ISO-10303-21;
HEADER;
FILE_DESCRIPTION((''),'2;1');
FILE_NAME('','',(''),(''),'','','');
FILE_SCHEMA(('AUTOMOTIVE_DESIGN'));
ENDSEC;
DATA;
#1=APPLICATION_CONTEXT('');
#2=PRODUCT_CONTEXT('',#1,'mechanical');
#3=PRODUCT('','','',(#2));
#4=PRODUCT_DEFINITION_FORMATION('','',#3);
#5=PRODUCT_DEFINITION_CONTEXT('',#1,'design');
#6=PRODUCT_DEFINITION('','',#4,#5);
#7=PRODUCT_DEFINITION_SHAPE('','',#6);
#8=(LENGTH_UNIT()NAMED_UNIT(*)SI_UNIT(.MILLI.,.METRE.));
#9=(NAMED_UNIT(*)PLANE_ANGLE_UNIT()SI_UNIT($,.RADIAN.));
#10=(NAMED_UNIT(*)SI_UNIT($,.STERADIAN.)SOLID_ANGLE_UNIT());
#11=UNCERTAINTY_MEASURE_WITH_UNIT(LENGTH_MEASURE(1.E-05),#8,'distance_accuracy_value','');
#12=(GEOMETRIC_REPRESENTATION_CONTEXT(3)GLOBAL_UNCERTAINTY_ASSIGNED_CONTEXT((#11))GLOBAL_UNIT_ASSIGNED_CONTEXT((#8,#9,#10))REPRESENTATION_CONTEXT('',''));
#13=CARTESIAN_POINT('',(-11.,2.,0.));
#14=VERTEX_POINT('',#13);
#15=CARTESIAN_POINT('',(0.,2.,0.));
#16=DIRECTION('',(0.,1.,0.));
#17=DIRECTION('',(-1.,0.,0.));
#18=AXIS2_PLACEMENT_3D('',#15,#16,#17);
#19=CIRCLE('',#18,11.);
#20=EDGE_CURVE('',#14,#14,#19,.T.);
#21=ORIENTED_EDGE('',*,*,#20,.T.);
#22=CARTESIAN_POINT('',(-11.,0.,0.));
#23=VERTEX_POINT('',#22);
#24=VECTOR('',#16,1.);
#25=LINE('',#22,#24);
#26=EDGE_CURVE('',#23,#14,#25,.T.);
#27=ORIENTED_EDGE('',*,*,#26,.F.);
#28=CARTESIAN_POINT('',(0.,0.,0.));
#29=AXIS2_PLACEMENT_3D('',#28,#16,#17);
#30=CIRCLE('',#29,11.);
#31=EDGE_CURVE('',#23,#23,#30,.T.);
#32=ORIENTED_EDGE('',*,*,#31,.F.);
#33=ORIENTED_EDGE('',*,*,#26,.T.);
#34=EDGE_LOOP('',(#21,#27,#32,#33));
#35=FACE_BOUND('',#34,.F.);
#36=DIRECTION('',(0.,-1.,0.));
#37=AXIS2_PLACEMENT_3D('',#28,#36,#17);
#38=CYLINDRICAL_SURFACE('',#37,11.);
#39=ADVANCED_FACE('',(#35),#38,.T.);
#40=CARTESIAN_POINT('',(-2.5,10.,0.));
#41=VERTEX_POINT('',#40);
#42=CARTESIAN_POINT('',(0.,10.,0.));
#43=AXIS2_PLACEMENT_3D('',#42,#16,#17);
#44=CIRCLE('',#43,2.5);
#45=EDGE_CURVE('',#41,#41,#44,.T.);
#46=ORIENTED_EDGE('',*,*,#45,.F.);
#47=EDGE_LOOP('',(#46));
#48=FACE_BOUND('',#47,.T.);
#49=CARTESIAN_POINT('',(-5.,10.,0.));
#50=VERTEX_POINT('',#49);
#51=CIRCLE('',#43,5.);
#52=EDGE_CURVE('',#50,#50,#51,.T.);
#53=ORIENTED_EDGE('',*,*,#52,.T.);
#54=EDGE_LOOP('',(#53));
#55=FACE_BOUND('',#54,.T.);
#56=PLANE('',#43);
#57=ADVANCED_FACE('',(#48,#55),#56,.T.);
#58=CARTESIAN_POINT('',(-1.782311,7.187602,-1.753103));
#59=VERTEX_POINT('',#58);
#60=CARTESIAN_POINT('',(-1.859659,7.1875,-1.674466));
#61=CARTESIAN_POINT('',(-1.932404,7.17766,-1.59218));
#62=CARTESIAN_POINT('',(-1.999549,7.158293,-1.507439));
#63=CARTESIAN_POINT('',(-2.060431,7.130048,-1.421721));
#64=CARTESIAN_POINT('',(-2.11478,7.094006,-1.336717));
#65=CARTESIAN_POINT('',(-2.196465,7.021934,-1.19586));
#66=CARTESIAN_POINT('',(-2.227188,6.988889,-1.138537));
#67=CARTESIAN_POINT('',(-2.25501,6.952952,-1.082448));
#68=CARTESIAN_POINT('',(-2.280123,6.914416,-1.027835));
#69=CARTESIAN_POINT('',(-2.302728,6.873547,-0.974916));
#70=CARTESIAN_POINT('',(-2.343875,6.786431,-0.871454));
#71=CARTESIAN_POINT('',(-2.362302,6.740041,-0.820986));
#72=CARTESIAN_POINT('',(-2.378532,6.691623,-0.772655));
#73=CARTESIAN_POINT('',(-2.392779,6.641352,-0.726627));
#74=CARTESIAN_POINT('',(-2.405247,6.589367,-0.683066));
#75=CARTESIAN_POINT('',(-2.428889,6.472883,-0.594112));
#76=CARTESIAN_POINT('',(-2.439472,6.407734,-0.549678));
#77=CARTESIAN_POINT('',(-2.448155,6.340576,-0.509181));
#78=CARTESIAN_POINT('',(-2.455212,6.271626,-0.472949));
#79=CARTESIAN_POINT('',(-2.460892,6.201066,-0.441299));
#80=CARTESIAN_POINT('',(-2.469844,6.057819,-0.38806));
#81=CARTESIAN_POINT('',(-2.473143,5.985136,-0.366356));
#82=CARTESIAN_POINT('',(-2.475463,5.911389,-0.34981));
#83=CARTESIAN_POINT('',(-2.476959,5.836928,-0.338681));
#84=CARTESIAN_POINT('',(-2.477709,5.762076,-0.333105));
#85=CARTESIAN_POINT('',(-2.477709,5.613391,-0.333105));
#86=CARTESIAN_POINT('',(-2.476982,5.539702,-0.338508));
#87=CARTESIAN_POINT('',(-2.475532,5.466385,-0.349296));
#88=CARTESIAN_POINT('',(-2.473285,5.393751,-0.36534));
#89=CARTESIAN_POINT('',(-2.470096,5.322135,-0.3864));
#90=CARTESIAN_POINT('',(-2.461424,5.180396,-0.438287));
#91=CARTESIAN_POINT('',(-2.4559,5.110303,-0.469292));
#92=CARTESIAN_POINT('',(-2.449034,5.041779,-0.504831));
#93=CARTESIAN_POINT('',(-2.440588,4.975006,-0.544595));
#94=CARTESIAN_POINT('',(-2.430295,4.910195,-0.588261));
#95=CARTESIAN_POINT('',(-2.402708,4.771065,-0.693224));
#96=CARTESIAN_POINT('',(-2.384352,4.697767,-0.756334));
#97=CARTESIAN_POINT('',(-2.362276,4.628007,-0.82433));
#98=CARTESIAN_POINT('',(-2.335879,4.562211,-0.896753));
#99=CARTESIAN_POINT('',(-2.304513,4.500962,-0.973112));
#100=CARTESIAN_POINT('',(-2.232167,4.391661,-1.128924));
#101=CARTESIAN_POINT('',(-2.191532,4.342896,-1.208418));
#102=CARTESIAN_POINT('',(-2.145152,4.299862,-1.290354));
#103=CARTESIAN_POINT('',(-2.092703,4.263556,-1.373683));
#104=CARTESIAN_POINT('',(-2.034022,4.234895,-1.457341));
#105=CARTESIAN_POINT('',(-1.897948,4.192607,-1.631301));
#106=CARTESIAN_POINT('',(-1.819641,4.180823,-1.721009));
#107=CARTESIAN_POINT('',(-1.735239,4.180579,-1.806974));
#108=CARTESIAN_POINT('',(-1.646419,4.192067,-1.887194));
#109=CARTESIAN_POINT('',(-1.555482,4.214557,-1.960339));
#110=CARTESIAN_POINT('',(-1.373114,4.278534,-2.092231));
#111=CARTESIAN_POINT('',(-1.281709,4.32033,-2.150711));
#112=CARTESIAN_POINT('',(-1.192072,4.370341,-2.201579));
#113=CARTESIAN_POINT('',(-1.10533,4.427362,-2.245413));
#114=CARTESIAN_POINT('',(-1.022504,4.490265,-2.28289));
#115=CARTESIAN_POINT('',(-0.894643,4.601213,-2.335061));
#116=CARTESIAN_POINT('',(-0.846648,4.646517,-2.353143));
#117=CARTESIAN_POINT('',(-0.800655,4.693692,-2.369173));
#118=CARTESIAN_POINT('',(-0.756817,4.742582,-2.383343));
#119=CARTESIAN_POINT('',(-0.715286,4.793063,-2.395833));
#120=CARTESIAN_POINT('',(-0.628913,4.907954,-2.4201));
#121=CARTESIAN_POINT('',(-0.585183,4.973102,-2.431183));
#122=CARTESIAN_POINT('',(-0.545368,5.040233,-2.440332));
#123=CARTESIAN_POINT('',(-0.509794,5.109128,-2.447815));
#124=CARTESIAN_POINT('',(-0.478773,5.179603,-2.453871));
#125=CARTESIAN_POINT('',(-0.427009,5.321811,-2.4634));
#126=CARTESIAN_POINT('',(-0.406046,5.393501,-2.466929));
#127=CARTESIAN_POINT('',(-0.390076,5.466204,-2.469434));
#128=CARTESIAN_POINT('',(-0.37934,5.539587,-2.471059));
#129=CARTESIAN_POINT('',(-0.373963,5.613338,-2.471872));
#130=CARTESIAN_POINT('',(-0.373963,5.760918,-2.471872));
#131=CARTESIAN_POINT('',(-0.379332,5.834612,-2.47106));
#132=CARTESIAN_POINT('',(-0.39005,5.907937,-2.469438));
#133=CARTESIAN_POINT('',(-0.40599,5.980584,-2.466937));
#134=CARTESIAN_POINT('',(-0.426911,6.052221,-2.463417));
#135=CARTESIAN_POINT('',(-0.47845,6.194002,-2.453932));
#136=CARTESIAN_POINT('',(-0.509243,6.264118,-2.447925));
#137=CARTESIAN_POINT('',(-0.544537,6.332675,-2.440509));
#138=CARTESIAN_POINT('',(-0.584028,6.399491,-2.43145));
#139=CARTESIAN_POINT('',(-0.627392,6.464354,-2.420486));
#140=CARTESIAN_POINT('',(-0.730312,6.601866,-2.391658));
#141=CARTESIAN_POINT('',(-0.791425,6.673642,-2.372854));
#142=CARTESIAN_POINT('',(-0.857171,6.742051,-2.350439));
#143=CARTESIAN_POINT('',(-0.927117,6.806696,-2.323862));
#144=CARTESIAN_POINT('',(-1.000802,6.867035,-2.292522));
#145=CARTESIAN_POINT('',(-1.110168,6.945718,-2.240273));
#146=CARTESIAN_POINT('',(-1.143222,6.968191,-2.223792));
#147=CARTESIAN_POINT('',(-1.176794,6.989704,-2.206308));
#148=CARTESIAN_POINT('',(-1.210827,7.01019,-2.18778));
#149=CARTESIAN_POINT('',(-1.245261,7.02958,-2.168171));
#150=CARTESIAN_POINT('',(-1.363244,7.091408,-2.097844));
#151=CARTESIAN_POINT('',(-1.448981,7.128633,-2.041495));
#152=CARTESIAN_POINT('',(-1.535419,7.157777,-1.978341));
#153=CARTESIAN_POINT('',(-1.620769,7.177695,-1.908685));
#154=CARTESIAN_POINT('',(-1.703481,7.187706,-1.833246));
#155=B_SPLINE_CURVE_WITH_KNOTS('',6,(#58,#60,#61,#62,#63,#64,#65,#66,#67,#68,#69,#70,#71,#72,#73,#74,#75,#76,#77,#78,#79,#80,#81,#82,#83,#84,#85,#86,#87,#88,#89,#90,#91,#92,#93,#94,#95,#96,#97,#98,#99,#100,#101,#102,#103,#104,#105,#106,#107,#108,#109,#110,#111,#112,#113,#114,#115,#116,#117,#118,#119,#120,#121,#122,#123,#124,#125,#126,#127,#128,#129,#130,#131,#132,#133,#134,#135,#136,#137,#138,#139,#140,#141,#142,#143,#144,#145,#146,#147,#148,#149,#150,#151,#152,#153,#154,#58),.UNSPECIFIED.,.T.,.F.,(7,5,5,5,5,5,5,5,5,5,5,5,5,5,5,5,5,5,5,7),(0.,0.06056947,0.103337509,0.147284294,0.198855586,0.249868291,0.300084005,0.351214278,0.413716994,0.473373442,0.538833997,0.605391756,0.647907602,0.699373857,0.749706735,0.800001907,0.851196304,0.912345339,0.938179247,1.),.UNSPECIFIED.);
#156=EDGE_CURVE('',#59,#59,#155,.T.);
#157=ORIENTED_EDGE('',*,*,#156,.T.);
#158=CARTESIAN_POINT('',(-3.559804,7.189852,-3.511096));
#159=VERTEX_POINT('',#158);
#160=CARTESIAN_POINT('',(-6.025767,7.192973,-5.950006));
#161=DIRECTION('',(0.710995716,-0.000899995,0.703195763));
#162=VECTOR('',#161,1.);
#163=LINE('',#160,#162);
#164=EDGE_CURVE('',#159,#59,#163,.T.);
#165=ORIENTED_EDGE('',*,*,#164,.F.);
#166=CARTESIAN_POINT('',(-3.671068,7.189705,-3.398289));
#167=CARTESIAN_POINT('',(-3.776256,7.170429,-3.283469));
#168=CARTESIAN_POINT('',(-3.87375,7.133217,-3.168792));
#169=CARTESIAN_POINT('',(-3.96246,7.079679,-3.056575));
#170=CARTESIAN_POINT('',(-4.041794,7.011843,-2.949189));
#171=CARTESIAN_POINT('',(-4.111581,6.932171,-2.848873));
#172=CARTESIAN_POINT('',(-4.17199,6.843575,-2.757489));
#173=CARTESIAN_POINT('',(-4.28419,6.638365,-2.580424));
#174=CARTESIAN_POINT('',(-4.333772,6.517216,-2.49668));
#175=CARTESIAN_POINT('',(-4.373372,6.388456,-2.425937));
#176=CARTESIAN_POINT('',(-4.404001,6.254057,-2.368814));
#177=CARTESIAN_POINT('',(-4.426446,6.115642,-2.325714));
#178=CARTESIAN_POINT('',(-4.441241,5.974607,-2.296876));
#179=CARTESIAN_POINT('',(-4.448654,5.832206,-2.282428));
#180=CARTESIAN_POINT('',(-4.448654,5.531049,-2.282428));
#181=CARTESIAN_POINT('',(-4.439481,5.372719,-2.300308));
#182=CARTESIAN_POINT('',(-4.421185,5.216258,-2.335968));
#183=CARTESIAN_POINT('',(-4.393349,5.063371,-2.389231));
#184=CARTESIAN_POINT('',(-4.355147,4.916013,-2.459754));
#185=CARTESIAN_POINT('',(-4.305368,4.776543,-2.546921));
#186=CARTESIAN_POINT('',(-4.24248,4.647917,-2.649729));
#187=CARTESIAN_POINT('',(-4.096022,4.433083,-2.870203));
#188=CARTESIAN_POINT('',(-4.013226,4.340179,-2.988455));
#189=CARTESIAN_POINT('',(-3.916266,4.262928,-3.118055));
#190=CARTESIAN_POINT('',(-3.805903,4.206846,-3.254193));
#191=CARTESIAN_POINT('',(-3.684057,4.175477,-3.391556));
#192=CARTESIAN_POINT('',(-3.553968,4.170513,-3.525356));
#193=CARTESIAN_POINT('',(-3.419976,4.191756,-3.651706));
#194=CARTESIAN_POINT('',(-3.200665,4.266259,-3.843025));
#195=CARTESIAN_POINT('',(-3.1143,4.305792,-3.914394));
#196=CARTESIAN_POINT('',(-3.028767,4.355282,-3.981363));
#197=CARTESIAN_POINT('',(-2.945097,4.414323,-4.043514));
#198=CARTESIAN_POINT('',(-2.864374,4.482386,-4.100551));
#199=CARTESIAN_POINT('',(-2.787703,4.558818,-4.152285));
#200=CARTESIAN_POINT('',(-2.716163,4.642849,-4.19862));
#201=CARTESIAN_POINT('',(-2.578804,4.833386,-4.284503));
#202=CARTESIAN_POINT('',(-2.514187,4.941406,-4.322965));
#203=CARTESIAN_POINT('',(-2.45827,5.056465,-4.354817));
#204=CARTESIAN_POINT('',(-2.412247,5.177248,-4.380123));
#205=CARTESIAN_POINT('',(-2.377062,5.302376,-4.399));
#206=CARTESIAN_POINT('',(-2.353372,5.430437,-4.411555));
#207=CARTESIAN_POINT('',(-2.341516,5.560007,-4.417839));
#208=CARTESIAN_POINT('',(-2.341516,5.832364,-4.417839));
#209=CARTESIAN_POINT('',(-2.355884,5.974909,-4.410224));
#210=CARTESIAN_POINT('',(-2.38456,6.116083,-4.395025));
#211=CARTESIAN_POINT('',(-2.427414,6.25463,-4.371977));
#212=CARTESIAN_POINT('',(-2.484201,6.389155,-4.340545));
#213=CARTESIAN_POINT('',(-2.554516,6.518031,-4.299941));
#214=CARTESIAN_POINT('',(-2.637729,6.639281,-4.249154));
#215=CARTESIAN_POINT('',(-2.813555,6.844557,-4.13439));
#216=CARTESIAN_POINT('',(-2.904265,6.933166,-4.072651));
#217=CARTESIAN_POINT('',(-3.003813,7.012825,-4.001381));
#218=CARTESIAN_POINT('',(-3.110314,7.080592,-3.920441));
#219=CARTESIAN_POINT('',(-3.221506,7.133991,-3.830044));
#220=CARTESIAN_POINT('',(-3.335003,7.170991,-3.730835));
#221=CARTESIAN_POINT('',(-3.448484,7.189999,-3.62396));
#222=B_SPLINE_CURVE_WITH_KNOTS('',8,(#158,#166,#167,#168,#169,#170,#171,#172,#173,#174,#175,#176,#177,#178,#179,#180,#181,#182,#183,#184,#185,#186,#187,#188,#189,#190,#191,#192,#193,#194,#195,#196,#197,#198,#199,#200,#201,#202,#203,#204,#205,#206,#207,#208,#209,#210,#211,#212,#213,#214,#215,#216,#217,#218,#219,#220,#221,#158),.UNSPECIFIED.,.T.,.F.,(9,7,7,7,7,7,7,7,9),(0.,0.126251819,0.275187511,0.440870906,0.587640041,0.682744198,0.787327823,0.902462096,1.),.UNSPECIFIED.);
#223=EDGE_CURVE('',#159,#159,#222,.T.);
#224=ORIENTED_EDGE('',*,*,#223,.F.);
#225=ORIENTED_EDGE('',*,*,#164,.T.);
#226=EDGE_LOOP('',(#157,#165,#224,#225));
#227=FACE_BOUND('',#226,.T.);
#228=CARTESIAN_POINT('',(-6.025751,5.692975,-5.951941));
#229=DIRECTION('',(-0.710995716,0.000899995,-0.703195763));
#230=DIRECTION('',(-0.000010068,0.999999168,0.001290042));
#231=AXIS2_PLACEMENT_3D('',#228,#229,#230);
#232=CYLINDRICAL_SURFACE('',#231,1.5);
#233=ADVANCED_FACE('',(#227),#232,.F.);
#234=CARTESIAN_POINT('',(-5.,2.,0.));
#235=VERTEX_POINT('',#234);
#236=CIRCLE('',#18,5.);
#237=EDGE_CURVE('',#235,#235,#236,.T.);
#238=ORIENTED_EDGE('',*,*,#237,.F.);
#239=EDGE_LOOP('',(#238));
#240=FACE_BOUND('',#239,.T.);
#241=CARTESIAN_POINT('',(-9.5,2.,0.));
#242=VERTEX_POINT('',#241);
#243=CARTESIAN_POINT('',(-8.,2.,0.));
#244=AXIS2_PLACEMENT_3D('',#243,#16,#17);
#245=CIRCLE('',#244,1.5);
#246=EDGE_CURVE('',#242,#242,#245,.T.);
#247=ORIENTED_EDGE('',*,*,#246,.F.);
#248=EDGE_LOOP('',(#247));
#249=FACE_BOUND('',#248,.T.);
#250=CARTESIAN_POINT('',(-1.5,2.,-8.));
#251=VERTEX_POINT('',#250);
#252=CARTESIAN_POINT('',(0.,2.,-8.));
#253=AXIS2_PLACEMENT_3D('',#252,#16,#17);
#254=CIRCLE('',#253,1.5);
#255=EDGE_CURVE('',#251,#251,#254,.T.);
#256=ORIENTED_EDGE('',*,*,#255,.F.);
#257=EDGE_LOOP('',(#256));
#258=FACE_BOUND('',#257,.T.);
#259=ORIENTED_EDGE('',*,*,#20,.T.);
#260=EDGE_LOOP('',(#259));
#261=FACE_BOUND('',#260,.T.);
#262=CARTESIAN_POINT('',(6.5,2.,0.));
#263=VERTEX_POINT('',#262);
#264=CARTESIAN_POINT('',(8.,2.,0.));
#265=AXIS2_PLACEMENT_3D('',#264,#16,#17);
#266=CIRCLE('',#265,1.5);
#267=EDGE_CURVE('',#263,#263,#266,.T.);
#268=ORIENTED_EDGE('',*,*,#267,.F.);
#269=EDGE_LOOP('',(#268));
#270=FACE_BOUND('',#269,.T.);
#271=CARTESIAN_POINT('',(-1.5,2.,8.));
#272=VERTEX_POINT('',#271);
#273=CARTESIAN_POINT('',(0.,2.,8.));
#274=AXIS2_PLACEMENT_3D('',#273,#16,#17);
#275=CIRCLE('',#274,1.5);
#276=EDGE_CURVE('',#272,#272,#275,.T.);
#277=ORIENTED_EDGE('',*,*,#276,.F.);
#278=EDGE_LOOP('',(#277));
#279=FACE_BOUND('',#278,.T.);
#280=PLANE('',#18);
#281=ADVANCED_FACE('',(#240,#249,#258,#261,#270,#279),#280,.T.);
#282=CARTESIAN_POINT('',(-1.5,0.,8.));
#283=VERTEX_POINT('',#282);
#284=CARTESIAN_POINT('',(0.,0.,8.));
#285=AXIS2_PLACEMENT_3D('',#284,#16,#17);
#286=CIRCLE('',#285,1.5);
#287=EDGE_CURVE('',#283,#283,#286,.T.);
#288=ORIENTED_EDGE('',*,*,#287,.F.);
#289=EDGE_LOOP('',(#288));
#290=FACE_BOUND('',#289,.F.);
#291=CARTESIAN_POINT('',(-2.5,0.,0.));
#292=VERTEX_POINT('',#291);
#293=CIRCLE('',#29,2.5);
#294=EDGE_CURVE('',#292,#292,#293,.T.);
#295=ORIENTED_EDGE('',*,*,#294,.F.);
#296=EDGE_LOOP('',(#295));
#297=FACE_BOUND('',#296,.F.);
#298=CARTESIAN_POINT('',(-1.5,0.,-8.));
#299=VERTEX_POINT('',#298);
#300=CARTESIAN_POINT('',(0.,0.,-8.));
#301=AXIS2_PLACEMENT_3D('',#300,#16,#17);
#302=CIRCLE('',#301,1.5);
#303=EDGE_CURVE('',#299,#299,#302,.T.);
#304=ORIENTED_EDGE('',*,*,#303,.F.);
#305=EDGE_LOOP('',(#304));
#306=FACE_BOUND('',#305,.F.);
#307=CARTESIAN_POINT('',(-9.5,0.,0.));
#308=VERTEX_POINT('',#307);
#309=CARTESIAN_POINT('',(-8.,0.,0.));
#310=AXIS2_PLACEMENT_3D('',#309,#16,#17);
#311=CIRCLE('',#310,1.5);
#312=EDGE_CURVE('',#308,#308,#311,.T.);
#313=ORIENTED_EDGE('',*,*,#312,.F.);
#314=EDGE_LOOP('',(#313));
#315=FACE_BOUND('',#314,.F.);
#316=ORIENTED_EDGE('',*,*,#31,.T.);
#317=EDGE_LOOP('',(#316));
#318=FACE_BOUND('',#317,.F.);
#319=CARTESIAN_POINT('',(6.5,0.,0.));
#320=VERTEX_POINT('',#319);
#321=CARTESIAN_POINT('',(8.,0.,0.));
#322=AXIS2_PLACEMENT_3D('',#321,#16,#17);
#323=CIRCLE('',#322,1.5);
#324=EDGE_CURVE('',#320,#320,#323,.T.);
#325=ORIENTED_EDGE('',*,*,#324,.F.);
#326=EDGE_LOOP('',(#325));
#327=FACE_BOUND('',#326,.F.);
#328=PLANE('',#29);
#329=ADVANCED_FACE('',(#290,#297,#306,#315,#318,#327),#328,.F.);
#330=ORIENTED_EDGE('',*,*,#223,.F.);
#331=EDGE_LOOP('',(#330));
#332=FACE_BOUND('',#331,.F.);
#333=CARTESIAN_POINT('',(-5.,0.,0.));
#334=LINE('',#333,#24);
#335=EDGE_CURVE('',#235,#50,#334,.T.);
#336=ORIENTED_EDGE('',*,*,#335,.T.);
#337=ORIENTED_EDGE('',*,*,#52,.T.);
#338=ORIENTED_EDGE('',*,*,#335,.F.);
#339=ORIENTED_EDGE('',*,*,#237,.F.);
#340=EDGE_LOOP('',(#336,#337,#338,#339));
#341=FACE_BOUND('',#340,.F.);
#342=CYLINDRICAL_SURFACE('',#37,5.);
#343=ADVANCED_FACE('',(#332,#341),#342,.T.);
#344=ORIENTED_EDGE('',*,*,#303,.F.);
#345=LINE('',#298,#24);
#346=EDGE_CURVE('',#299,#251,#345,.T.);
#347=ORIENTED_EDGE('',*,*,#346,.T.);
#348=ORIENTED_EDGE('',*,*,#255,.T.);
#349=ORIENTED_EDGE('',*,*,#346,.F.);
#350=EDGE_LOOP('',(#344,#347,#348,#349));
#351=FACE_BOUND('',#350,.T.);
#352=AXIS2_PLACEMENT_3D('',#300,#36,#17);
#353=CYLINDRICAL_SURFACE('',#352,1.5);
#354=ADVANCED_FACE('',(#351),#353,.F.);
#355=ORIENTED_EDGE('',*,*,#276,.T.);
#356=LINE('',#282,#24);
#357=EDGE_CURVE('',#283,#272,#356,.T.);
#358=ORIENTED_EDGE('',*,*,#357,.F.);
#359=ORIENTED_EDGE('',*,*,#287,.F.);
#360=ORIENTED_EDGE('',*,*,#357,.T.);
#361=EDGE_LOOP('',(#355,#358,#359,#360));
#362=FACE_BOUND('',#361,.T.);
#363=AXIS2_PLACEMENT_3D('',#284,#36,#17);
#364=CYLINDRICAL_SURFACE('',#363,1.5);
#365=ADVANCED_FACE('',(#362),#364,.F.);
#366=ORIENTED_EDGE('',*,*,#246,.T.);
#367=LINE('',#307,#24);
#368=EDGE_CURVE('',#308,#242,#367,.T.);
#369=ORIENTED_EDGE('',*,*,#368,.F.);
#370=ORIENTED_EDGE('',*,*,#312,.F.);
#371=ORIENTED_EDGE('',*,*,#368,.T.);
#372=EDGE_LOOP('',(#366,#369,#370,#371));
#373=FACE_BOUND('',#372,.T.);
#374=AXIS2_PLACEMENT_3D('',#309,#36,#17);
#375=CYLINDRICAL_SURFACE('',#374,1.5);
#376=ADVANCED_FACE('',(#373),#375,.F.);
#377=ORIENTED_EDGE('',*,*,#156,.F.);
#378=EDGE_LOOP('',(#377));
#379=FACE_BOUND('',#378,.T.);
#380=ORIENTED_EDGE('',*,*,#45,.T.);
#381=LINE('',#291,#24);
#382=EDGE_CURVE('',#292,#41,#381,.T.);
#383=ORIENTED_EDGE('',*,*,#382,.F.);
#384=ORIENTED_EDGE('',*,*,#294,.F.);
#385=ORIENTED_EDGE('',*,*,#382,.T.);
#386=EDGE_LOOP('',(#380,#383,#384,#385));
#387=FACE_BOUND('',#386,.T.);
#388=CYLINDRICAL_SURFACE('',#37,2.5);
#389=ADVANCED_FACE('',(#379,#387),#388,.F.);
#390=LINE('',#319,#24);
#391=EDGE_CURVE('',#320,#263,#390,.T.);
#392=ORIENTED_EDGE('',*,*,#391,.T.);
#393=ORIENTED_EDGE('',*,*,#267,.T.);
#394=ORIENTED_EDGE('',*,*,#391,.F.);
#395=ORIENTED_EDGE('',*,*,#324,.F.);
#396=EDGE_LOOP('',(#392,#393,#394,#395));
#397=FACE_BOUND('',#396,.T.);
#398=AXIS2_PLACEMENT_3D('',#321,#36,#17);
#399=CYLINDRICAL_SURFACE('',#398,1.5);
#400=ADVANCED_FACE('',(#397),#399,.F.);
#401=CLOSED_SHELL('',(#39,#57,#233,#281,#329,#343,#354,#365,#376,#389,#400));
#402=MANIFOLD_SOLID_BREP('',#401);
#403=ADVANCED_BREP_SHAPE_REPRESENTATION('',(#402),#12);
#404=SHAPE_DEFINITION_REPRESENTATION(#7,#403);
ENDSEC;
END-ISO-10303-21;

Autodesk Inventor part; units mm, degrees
ref_plane "YZ Plane" through (0, 0, 0) normal (1, 0, 0) x (0, 1, 0)
ref_plane "XZ Plane" through (0, 0, 0) normal (0, 1, 0) x (-1, 0, 0)
ref_plane "XY Plane" through (0, 0, 0) normal (0, 0, 1) x (1, 0, 0)
sketch "Эскиз1" plane through (0, 0, 0) normal (0, 1, 0) x (-1, 0, 0)
  circle A0 centre (0, 0) radius 5
  circle A1 centre (0, 0) radius 2.5
  circle A2 centre (0, 0) radius 11
  circle A3 centre (8, 0) radius 1.5
  circle A4 centre (-8, 0) radius 1.5
  circle A5 centre (0, 8) radius 1.5
  circle A6 centre (0, -8) radius 1.5
  dimension "d0" = 5
  dimension "d1" = 10
  dimension "d2" = 22
  dimension "d3" = 3
  dimension "d4" = 3
  dimension "d5" = 16
  dimension "d6" = 8
  dimension "d7" = 3
  dimension "d8" = 3
  dimension "d9" = 8
  dimension "d10" = 8
  dimension "d11" = 16
extrude "Выдавливание1" add sketch "Эскиз1" along normal blind 2 contours A2
extrude "Выдавливание2" add sketch "Эскиз1" along normal blind 10 contours A0
sketch "Эскиз2" plane through (0, 0, 0) normal (1, 0, 0) x (0, 1, 0)
  point P0 (0, 0)
  point P1 (-0.4556, -12.0524)
  point P2 (8.9773, -12.0404)
sketch "Эскиз3" plane through (0, 0, 0) normal (0, 0, 1) x (1, 0, 0)
  point P0 (0, 0)
  point P1 (-11.9191, -0.1213)
  point P2 (-11.9191, 9.5232)
ref_plane "РабПлоскость1" through (0, -0.4556, -12.0524) normal (0.711, -0.0009, 0.7032) x (0, 1, 0.0013)
sketch "Эскиз4" plane through (0, -0.4556, -12.0524) normal (0.711, -0.0009, 0.7032) x (0, 1, 0.0013)
  circle A0 centre (6.1565, 8.569) radius 1.5
  point P0 (0.4709, 8.569)
  dimension "d16" = 3
extrude "Выдавливание3" cut sketch "Эскиз4" along normal up to surface
properties part number "Муфта"
